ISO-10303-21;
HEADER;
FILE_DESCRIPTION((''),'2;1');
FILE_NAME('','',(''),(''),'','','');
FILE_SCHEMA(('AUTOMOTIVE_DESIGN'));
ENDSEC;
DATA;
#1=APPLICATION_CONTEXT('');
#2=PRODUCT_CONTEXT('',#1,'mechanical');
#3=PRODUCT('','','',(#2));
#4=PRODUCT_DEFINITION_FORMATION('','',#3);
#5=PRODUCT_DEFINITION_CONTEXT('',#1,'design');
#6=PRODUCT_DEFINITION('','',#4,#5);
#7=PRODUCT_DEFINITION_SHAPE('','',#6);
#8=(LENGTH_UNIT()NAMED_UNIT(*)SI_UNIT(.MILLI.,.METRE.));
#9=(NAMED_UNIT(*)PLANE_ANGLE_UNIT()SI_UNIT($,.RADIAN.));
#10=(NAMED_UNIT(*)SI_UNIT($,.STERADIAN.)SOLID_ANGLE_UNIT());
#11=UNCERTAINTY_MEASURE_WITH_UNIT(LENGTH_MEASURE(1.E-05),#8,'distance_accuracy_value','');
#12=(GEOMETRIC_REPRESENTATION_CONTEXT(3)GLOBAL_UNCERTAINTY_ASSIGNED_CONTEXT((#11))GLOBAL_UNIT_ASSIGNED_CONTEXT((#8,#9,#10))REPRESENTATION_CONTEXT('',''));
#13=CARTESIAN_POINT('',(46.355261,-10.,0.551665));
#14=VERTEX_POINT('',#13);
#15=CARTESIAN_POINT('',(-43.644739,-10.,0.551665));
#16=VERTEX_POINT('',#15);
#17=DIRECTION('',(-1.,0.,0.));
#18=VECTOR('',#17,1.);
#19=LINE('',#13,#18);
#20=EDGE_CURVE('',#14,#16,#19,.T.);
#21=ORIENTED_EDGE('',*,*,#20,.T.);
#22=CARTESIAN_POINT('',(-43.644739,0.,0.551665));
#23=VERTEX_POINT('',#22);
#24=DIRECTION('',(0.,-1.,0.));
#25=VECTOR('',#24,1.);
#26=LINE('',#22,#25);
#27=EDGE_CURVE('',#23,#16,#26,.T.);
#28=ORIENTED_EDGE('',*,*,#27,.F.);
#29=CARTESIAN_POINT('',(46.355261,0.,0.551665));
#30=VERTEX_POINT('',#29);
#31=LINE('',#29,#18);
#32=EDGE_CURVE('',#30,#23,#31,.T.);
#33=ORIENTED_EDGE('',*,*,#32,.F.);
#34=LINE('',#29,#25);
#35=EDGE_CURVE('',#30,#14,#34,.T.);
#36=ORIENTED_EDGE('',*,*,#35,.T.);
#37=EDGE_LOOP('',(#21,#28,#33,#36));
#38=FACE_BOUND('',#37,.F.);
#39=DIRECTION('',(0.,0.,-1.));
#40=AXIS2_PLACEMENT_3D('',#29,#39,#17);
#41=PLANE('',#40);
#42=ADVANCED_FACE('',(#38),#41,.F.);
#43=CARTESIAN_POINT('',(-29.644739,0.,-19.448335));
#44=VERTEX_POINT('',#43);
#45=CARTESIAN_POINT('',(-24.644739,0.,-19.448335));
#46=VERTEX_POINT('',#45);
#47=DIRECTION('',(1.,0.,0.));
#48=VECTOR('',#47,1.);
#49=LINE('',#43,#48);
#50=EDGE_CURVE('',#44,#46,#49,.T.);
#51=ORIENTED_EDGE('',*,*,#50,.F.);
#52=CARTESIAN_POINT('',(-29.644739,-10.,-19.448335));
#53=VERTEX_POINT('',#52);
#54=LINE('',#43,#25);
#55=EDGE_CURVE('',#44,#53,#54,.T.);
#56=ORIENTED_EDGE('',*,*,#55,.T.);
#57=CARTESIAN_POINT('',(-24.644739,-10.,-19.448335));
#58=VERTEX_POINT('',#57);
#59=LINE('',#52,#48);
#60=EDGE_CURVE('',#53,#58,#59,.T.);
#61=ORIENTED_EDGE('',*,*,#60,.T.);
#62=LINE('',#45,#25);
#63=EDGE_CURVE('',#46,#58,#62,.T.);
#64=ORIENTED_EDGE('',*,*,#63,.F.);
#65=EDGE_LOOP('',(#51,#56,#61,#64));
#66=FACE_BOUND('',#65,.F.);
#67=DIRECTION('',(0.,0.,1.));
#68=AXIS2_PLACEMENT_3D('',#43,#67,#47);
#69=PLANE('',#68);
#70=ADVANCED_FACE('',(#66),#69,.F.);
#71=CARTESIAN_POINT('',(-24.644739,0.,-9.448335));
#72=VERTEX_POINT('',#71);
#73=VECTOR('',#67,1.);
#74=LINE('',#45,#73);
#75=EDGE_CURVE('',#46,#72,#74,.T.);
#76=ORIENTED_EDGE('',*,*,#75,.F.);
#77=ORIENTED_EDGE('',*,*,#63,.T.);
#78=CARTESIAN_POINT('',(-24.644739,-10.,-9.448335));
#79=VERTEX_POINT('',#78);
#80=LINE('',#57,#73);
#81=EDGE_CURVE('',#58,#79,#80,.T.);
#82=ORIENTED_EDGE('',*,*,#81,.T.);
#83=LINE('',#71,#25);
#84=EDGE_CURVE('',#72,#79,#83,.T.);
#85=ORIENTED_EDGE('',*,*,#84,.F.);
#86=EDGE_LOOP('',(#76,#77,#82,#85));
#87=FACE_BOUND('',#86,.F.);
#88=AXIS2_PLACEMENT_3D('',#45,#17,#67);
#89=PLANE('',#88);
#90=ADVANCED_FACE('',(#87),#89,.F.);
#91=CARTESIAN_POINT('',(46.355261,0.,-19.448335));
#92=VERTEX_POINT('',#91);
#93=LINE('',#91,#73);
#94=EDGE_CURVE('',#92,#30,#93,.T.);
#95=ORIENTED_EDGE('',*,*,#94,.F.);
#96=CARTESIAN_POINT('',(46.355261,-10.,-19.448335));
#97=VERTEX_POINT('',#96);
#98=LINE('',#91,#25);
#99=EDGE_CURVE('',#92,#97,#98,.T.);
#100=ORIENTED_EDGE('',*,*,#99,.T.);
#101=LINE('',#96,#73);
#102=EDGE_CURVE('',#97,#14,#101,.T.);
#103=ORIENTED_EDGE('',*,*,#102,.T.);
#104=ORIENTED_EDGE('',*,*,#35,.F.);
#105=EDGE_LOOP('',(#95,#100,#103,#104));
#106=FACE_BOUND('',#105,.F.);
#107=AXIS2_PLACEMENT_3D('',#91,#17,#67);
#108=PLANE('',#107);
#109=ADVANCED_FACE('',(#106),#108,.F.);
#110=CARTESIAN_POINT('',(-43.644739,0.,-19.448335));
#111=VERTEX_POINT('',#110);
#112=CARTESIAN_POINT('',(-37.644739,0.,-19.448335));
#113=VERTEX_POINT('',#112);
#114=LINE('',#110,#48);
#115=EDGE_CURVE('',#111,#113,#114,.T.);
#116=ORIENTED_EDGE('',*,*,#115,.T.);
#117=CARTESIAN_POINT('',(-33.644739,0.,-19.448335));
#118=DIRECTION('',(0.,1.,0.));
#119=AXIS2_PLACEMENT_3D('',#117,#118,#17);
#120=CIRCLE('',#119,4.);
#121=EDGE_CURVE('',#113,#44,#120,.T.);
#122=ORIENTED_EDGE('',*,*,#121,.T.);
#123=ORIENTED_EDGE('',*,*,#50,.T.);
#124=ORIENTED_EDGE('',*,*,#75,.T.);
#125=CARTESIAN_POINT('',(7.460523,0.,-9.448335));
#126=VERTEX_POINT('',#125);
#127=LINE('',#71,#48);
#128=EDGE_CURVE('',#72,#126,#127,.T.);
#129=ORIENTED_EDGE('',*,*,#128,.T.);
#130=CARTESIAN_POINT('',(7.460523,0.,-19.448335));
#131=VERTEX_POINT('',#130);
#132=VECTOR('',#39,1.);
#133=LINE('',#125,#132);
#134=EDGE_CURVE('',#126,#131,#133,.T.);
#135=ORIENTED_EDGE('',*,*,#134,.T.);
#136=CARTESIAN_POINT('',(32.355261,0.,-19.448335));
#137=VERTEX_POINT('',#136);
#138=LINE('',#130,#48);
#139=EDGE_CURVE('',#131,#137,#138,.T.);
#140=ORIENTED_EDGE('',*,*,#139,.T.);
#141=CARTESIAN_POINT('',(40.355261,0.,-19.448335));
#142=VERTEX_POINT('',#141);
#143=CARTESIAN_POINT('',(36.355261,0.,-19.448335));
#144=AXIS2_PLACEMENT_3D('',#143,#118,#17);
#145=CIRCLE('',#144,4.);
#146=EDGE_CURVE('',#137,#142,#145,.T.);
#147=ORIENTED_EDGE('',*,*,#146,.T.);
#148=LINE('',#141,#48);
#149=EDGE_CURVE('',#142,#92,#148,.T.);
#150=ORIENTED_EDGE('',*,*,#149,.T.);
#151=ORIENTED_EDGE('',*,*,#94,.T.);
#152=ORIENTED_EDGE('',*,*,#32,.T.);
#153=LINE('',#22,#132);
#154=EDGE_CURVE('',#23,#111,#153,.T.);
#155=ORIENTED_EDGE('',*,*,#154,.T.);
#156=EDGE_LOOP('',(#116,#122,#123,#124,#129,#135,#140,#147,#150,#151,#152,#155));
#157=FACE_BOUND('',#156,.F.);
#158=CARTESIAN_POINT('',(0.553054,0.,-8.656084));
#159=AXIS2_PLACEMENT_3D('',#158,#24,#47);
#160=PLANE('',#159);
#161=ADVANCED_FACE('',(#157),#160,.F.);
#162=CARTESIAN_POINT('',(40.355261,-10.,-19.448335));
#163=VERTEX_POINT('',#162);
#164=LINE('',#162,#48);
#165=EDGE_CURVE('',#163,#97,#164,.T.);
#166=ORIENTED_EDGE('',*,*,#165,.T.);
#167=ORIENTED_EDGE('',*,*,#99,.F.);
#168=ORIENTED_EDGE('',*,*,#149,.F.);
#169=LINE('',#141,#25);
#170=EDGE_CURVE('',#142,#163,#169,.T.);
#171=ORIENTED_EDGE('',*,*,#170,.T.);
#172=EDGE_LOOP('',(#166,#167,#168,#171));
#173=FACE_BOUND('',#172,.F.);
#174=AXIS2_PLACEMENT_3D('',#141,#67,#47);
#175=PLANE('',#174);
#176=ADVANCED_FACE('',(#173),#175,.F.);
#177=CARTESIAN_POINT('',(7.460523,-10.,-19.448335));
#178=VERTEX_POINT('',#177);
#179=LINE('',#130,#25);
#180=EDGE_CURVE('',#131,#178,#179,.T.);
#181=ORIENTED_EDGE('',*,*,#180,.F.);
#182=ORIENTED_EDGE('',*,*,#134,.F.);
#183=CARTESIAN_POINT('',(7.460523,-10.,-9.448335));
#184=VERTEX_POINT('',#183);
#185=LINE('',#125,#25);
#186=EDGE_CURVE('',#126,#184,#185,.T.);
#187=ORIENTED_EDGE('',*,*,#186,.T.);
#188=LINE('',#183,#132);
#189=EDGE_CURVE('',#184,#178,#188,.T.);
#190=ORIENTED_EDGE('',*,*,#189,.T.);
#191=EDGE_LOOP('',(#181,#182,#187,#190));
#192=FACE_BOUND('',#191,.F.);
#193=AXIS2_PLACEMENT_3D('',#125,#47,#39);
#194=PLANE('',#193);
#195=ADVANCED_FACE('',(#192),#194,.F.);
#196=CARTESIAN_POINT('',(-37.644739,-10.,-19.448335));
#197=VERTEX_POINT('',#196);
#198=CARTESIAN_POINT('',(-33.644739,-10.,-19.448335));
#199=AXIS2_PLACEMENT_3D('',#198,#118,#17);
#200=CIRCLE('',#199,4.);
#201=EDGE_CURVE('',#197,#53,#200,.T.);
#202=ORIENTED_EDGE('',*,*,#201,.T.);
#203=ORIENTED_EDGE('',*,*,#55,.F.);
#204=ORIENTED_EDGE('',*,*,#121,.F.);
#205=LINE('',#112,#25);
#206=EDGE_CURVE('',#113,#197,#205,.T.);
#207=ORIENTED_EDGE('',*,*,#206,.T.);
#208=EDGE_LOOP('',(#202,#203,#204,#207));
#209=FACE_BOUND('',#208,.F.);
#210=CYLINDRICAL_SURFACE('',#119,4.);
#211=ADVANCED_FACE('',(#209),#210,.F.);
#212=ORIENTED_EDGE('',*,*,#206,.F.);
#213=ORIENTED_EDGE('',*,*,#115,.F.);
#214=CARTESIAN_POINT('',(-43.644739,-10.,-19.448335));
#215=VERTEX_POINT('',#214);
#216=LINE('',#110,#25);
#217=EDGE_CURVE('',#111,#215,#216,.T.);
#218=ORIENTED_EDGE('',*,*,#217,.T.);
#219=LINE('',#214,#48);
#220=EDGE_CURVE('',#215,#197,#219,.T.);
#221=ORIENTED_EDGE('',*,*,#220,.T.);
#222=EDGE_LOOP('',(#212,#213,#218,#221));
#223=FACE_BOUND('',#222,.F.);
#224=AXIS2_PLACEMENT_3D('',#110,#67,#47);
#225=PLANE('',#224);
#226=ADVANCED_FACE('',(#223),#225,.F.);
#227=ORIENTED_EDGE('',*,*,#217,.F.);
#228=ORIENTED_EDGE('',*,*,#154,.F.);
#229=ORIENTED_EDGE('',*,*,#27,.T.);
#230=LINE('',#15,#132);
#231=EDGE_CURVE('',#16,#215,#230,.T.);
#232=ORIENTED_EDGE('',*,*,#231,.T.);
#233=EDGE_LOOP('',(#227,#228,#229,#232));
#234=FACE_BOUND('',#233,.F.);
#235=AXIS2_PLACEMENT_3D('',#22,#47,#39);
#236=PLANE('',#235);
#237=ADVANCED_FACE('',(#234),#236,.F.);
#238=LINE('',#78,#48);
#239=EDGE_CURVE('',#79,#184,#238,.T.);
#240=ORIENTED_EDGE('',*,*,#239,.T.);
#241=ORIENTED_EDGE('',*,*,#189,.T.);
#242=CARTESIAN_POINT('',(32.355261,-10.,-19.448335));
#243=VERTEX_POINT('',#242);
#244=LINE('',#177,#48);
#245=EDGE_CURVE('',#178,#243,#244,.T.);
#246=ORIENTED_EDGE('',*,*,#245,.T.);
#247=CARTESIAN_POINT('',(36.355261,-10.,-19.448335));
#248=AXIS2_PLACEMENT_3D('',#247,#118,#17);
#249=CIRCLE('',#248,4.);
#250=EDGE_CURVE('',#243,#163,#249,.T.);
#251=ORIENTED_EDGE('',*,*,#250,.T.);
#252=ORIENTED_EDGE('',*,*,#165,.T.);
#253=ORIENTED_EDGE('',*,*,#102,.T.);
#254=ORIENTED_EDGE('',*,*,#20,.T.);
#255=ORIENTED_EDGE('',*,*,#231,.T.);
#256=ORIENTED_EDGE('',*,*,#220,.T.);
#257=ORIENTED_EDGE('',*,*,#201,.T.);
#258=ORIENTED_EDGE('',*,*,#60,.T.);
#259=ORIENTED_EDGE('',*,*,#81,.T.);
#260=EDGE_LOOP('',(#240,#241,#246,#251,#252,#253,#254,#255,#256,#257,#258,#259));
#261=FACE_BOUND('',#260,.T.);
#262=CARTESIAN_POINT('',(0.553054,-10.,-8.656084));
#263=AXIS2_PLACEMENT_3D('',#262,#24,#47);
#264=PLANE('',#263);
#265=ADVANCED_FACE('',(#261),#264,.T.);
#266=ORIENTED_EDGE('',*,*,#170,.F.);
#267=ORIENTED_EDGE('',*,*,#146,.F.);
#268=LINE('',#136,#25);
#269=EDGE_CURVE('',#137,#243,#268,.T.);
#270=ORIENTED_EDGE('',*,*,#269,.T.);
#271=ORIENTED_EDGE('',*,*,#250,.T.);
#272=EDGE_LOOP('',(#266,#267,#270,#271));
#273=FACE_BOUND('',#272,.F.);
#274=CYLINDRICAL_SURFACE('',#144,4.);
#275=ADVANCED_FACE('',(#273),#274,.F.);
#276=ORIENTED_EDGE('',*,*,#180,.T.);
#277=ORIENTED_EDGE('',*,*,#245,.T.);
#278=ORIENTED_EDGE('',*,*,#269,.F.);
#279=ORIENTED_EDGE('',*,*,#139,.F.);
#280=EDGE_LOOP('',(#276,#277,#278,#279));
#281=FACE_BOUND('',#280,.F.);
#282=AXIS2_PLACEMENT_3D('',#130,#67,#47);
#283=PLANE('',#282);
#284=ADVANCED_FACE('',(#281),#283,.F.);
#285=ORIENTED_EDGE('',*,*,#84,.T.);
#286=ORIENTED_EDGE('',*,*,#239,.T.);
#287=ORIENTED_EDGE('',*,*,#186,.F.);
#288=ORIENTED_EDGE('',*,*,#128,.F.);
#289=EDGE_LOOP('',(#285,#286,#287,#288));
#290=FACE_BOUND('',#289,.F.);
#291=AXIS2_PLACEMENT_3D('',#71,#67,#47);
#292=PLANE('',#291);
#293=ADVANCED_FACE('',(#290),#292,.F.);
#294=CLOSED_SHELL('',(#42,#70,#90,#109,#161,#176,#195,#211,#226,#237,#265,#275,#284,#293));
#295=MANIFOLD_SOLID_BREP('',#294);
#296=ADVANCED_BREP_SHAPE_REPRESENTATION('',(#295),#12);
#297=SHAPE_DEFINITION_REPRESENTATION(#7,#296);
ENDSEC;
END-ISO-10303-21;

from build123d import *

# Parameters (mm, degrees)
F1_DEPTH = 10


with BuildPart() as f1:
    # F0 (on Front) → F1 (new body)
    with BuildSketch(Plane.XZ):
        with BuildLine():
            ThreePointArc((-37.644739, -19.448335), (-33.644739, -15.448335), (-29.644739, -19.448335))
            Line((-29.644739, -19.448335), (-24.644739, -19.448335))
            Line((-24.644739, -19.448335), (-24.644739, -9.448335))
            Line((-24.644739, -9.448335), (7.460523, -9.448335))
            Line((7.460523, -9.448335), (7.460523, -19.448335))
            Line((7.460523, -19.448335), (32.355261, -19.448335))
            ThreePointArc((32.355261, -19.448335), (36.355261, -15.448335), (40.355261, -19.448335))
            Line((40.355261, -19.448335), (46.355261, -19.448335))
            Line((46.355261, -19.448335), (46.355261, 0.551665))
            Line((46.355261, 0.551665), (-43.644739, 0.551665))
            Line((-43.644739, 0.551665), (-43.644739, -19.448335))
            Line((-43.644739, -19.448335), (-37.644739, -19.448335))
        make_face()
    extrude(amount=F1_DEPTH)


solid = f1.part
